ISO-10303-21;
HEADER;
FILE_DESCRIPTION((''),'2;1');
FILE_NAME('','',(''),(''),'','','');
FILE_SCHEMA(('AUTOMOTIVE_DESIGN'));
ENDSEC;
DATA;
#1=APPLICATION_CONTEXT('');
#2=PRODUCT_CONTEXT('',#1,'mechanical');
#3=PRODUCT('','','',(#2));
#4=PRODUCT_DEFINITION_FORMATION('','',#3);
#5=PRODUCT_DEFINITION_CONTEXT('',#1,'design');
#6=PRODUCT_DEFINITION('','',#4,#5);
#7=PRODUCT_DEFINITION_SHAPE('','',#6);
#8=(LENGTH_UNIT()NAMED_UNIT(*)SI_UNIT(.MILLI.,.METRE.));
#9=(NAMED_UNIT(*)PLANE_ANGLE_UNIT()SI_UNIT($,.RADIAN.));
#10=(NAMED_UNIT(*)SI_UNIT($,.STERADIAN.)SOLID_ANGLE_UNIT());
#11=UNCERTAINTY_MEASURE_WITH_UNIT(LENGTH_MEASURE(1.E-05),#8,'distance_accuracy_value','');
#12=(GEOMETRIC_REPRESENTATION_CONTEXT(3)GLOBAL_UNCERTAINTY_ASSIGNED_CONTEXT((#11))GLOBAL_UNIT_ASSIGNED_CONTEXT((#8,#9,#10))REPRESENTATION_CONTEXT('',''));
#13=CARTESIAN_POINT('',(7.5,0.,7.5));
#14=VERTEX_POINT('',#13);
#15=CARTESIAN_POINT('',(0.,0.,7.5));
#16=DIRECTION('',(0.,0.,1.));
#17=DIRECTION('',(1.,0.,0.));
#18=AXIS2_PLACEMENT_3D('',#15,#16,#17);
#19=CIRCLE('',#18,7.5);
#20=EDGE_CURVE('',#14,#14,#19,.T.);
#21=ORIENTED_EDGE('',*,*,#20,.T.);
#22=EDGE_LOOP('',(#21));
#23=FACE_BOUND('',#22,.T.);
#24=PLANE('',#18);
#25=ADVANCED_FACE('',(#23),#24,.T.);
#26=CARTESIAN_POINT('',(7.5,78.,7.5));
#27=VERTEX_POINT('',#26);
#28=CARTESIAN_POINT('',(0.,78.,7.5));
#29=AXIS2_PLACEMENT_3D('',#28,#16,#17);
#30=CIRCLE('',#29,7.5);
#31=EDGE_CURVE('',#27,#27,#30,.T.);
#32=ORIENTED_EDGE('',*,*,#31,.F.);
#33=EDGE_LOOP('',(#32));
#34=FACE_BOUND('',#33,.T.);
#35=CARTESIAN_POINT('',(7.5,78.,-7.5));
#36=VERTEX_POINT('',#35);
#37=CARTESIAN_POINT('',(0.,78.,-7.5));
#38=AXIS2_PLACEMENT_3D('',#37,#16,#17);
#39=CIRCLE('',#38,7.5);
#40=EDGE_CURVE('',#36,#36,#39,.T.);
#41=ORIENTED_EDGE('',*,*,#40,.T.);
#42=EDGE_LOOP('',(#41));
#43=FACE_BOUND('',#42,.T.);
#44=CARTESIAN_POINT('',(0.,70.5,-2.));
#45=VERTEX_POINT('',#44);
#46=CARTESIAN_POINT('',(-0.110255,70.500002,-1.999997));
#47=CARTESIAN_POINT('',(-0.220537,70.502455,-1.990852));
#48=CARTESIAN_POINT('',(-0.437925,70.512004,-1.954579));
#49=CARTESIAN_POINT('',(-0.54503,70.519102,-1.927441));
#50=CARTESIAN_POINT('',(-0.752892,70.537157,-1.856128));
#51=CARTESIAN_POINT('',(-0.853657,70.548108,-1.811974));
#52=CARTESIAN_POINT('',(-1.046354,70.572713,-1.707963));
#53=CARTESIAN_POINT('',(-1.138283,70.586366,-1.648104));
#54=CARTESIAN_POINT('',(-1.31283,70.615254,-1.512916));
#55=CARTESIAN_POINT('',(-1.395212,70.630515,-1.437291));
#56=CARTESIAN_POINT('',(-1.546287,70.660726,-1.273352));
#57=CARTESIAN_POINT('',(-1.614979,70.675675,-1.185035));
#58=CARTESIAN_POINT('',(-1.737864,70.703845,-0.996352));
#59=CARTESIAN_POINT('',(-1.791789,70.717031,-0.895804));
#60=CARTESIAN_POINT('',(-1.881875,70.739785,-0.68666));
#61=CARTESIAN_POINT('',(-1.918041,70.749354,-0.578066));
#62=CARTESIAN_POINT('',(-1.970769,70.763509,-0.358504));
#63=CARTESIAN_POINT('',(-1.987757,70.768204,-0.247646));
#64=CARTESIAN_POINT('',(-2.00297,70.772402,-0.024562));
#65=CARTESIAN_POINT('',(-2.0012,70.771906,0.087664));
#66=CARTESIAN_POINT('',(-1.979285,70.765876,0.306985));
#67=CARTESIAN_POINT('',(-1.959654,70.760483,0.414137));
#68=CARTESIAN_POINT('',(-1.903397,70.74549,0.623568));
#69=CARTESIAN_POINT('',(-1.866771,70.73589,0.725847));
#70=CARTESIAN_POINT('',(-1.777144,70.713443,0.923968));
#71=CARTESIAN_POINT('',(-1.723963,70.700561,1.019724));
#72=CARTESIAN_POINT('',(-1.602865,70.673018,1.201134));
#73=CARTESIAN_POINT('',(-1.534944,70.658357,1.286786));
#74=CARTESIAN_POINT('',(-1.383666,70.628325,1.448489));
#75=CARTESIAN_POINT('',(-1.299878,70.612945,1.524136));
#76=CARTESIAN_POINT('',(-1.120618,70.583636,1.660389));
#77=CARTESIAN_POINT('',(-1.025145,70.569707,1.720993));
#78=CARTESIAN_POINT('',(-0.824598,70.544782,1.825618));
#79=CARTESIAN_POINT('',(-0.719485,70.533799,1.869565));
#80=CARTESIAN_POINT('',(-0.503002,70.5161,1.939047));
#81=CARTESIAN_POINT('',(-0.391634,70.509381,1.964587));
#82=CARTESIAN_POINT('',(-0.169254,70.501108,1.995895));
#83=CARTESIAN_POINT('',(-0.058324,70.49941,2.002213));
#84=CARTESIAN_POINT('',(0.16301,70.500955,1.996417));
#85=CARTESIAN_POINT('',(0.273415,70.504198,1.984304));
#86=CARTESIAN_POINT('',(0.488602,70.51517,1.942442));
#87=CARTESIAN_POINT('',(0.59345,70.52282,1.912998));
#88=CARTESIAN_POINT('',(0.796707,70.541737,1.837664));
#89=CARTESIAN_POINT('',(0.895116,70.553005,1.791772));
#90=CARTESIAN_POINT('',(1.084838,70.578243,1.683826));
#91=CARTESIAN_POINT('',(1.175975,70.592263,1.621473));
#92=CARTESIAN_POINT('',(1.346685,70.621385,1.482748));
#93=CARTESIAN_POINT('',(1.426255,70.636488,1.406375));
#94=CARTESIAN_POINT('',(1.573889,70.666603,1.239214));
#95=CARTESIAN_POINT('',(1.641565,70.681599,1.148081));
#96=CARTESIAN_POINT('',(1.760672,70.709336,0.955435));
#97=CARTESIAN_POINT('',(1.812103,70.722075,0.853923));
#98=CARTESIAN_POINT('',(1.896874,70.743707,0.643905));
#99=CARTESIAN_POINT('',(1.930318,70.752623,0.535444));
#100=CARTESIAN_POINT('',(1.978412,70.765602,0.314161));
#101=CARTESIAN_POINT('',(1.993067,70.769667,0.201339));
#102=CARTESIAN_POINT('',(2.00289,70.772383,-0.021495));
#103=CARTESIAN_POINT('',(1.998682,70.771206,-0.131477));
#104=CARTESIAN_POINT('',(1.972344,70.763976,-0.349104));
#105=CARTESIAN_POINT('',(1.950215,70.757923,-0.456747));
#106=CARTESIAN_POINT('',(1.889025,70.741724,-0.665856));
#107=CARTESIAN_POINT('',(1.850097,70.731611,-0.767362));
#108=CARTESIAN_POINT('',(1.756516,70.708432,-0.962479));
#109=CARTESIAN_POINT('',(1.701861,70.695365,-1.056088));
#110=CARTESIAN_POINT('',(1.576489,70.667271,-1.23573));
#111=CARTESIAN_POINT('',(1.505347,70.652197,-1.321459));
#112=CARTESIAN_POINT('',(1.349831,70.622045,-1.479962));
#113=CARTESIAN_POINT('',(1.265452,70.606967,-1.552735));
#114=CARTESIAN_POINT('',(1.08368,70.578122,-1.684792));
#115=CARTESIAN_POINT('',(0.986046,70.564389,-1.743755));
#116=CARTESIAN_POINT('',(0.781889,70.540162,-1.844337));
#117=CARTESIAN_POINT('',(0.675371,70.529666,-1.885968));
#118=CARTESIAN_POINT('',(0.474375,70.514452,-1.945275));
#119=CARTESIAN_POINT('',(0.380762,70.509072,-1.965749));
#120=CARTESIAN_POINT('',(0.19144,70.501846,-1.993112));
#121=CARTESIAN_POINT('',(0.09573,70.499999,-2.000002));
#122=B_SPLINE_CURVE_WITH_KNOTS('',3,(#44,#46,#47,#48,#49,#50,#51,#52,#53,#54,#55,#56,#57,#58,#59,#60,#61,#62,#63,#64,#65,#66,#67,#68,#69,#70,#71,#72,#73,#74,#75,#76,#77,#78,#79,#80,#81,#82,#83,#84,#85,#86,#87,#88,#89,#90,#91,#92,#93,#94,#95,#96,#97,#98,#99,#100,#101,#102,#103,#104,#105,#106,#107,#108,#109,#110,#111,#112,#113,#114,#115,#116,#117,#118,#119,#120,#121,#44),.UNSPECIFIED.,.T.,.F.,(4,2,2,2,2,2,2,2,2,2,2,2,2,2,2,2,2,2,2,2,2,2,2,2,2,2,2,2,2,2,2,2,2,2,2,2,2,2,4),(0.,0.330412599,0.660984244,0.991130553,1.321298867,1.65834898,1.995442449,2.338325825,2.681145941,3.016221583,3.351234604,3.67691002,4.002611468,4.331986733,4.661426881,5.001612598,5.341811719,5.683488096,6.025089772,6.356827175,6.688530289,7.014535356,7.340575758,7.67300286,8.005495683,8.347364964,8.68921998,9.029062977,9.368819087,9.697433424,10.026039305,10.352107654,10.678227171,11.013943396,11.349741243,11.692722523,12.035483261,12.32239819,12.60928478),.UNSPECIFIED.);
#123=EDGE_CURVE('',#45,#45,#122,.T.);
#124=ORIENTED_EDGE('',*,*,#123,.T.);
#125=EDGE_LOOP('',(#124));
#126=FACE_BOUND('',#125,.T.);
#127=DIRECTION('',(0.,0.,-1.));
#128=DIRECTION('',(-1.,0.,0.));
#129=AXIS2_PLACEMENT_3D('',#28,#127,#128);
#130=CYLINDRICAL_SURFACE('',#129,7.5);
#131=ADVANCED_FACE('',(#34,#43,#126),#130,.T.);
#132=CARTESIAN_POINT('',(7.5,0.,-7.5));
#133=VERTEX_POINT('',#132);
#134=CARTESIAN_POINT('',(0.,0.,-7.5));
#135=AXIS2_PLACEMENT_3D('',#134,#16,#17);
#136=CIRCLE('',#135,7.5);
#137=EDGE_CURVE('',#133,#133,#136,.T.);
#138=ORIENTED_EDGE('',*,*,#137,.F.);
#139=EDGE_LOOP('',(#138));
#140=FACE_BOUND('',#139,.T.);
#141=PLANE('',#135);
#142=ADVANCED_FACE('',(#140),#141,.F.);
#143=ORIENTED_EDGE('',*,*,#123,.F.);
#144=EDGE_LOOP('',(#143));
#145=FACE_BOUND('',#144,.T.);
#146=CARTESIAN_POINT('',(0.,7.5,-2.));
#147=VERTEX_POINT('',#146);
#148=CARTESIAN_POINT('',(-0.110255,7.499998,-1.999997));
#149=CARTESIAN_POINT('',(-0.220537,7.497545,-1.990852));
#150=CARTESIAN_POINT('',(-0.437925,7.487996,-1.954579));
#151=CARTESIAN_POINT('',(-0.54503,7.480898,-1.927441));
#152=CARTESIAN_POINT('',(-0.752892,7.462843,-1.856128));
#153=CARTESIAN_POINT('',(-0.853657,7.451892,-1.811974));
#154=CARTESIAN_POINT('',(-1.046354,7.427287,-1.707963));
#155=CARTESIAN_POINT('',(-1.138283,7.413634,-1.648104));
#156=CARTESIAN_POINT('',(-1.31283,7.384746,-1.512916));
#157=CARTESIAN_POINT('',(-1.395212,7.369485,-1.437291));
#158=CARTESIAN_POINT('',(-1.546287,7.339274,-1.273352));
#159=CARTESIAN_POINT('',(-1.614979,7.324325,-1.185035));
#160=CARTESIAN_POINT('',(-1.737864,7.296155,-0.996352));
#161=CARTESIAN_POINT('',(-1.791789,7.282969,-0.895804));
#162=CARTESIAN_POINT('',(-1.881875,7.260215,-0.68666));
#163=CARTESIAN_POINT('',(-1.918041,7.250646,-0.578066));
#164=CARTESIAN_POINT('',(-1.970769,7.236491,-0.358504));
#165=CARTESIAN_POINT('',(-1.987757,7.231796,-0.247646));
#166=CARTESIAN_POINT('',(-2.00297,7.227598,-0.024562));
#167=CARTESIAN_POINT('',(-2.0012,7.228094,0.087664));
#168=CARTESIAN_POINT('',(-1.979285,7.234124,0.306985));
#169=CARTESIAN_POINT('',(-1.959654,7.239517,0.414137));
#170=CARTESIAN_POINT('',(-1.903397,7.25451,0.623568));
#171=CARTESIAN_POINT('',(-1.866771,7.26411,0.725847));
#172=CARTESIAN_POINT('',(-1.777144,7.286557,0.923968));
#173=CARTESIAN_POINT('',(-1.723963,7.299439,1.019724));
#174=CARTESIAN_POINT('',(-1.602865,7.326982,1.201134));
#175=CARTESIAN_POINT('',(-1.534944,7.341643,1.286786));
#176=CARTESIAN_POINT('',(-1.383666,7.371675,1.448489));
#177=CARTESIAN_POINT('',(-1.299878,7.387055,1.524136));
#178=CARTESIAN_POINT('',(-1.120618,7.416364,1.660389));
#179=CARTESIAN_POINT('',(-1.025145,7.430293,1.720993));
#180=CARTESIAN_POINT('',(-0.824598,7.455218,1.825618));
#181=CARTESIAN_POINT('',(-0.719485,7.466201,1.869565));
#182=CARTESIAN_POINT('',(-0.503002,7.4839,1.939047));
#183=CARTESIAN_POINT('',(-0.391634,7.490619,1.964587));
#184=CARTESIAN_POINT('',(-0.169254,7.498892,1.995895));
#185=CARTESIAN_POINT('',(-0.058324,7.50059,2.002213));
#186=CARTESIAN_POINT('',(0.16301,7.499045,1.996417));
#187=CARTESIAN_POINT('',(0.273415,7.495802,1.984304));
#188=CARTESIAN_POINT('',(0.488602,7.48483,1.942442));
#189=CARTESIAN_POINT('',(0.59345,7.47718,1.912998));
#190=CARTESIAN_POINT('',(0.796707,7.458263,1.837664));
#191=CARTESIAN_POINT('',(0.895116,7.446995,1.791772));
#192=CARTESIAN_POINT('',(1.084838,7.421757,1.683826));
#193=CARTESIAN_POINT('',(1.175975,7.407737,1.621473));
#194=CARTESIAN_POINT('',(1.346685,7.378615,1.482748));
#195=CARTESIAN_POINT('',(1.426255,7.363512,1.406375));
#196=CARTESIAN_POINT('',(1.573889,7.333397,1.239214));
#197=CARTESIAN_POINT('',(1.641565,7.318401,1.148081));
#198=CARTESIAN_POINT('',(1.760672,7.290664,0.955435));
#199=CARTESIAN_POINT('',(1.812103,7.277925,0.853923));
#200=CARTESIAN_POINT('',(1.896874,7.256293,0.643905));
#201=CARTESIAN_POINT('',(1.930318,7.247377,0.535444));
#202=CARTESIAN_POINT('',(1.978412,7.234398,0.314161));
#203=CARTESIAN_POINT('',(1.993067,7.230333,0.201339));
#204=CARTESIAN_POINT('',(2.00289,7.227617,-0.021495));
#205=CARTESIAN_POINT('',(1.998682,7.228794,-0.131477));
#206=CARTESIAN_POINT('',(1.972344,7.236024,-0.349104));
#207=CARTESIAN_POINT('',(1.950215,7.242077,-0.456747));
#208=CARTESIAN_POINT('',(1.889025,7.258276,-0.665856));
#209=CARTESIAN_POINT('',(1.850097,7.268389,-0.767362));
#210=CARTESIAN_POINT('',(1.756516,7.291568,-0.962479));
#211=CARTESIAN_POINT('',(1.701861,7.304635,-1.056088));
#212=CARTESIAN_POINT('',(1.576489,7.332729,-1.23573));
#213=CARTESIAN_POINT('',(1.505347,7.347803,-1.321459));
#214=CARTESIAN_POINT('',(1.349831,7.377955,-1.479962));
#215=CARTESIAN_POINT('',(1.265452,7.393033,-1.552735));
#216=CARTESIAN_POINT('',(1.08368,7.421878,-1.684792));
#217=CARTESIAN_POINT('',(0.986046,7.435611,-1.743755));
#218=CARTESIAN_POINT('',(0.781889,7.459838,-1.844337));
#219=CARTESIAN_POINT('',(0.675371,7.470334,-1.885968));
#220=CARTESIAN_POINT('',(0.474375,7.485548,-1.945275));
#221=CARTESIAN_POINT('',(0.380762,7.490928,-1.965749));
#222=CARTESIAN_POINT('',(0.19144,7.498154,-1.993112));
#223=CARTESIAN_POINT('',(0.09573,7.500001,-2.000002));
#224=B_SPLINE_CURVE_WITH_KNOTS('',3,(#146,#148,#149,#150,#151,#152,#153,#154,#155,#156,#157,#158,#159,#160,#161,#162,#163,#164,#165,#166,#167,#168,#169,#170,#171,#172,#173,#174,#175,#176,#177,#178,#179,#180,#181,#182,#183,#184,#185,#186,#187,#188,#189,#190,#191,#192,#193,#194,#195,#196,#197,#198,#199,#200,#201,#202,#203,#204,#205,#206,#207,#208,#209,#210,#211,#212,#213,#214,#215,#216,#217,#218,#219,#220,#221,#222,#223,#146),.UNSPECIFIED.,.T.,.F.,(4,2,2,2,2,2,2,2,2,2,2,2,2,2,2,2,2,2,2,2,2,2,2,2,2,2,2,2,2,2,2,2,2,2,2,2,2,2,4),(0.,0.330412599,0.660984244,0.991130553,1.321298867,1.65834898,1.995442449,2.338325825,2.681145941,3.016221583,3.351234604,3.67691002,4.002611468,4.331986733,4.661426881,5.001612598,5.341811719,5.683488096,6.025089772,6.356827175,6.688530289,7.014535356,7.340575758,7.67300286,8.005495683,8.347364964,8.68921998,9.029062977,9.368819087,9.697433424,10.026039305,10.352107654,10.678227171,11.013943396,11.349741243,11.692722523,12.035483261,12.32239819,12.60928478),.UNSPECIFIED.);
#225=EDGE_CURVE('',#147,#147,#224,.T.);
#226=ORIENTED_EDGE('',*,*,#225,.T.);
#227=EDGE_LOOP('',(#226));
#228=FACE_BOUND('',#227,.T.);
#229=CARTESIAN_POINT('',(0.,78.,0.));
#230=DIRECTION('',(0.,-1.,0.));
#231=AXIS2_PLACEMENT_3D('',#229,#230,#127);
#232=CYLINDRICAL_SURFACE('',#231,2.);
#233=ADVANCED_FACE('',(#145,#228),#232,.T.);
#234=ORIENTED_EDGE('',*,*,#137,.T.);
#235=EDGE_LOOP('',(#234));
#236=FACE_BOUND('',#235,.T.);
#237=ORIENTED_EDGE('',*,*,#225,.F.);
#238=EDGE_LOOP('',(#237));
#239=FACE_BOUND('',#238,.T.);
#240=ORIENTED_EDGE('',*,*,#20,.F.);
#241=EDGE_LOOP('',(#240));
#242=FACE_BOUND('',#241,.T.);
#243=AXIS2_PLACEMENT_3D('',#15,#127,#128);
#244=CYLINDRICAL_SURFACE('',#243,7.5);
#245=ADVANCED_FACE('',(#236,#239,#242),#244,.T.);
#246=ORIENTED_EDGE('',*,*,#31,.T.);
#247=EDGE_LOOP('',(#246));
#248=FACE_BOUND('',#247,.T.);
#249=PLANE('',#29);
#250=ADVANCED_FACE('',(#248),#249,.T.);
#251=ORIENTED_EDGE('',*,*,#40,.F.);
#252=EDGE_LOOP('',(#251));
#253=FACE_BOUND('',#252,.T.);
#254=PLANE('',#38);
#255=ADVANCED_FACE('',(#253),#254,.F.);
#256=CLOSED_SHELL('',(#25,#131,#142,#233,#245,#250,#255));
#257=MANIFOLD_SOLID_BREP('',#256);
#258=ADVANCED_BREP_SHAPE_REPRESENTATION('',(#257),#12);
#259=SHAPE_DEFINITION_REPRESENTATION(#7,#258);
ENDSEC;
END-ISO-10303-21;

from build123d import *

# Parameters (mm, degrees)
SKETCH2_R           = 7.5
BOSS_EXTRUDE1_DEPTH = 7.5
SKETCH4_R           = 2
BOSS_EXTRUDE2_DEPTH = 78
LPATTERN1_COUNT     = 2
LPATTERN1_PITCH     = 78


with BuildPart() as part:
    # Sketch2 → Boss-Extrude1 (new, symmetric)
    with BuildSketch(Plane.XY):
        Circle(SKETCH2_R)
    boss_extrude1 = extrude(amount=BOSS_EXTRUDE1_DEPTH, both=True)

    # Sketch4 → Boss-Extrude2 (add)
    with BuildSketch(Plane(origin=(0, 0, 0), x_dir=(1, 0, 0), z_dir=(0, 1, 0))):
        with Locations(Location((0, 0, 0), (0, 0, 90))):
            Circle(SKETCH4_R)
    extrude(amount=BOSS_EXTRUDE2_DEPTH)

    # LPattern1: Boss-Extrude1 ×2
    with Locations(*[(0, i * LPATTERN1_PITCH, 0) for i in range(1, LPATTERN1_COUNT)]):
        add(boss_extrude1)


solid = part.part
